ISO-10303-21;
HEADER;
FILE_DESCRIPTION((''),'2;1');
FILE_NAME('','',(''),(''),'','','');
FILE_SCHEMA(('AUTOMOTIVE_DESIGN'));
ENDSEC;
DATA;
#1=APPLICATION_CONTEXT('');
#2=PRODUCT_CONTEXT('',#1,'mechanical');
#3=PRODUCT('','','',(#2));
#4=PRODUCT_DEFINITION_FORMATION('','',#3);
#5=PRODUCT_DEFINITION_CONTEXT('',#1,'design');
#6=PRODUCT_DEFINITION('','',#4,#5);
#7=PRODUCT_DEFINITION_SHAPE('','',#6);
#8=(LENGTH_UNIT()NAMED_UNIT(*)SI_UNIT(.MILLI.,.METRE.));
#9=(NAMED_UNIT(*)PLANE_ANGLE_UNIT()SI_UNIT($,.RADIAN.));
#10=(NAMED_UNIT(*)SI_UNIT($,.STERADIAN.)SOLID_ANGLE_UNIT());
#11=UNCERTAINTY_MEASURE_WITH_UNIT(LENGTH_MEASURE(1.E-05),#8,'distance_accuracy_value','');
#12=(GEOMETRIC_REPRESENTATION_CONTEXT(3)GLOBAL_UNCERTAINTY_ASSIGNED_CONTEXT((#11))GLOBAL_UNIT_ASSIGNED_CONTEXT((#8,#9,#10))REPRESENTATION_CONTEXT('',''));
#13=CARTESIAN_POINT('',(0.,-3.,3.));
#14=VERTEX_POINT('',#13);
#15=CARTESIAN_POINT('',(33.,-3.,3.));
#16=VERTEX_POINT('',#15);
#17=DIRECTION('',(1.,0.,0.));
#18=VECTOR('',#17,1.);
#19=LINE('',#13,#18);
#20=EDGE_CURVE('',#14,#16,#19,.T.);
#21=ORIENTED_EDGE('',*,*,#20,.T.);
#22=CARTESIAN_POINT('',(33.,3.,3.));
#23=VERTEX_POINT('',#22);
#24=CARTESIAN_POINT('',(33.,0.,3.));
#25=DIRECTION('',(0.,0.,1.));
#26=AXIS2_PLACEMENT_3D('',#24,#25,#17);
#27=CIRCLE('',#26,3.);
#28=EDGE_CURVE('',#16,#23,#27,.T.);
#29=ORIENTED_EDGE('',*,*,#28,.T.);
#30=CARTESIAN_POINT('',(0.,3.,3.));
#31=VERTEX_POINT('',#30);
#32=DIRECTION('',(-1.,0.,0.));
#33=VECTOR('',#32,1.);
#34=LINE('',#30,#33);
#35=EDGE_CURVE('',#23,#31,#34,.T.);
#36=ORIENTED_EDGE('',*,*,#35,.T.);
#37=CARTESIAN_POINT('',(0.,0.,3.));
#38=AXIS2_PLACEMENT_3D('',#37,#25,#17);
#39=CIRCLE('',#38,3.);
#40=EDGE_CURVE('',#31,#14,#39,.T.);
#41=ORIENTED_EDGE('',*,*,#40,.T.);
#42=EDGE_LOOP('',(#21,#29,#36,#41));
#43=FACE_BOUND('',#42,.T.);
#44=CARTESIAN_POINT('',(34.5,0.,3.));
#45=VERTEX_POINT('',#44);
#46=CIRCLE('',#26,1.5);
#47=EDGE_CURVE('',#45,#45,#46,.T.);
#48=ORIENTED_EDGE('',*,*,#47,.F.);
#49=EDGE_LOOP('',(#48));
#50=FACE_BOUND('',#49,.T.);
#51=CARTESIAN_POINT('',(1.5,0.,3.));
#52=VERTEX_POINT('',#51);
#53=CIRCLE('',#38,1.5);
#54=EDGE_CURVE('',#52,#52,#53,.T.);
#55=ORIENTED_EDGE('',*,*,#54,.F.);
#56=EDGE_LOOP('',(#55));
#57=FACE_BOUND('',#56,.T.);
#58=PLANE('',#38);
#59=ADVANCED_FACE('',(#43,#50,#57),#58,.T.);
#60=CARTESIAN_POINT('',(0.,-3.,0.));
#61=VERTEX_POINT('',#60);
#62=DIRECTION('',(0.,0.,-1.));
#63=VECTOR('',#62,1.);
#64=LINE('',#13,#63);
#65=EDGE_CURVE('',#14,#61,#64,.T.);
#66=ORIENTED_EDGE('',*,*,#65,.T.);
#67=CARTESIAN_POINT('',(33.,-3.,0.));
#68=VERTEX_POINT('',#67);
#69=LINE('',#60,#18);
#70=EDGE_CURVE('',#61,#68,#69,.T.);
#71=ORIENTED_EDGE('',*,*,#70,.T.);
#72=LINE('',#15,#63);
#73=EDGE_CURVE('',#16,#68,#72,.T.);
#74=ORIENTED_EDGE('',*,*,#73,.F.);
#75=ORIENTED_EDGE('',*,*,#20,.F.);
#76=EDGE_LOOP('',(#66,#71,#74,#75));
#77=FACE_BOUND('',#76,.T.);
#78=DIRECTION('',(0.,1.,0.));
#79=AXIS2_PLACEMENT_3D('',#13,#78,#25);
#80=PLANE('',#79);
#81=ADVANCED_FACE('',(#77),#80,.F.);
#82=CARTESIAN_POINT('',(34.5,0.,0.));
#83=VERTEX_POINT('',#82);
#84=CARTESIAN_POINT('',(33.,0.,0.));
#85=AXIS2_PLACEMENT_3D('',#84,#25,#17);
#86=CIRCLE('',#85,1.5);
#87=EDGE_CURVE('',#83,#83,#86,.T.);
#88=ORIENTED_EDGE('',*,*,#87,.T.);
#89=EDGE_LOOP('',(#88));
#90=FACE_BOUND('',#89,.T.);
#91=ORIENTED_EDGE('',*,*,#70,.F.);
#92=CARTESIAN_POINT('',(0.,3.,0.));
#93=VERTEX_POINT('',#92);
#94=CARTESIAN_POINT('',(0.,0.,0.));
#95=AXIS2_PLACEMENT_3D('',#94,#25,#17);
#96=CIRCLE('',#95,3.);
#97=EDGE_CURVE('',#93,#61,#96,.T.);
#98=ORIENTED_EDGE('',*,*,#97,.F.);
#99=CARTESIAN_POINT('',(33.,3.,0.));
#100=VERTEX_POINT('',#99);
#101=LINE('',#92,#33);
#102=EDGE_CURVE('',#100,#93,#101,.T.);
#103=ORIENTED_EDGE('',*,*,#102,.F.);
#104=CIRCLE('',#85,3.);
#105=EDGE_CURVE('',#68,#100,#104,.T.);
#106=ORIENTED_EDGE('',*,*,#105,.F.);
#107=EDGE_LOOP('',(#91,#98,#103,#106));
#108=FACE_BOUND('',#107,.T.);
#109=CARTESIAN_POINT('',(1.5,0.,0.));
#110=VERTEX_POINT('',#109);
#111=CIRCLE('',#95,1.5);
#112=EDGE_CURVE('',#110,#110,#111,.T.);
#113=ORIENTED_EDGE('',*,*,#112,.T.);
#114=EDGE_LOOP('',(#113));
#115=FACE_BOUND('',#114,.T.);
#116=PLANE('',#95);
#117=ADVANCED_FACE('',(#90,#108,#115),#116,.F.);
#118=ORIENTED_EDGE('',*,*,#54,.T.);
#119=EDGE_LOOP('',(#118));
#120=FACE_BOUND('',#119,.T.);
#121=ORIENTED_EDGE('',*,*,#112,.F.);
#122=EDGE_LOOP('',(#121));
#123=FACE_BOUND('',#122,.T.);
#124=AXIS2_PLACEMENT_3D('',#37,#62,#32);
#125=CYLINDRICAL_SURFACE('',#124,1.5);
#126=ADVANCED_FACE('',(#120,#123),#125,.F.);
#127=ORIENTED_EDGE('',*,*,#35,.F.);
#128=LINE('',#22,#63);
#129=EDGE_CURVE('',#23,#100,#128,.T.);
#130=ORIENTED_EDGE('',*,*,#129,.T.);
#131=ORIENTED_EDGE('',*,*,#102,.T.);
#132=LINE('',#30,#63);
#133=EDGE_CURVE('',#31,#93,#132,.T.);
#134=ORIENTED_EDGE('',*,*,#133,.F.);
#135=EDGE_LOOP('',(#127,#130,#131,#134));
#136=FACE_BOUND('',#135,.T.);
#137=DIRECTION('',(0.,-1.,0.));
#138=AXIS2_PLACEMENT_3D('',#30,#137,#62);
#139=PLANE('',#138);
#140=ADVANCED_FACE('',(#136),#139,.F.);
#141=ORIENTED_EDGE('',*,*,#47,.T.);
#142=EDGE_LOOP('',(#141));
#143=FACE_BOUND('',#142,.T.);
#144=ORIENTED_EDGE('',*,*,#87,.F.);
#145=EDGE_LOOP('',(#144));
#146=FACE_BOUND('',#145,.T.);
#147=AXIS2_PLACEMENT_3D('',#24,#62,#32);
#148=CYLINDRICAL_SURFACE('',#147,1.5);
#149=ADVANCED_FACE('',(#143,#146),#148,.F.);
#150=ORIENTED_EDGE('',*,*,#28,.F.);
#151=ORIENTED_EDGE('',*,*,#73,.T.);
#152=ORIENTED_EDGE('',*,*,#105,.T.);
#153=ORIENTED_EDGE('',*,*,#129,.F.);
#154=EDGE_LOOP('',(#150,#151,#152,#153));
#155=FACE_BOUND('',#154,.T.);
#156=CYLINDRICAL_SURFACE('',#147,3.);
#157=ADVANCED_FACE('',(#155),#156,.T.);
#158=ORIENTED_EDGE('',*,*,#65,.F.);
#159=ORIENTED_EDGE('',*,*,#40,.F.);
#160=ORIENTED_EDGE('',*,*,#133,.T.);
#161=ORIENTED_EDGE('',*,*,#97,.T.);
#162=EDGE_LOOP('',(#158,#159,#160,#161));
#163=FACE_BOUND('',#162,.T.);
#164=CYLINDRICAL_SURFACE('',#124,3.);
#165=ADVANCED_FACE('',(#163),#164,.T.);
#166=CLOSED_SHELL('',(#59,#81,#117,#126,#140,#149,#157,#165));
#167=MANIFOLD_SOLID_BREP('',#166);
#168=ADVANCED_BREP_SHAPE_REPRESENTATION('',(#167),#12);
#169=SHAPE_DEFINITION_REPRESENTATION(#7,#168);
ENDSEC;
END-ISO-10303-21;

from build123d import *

# Parameters (mm, degrees)
SKETCH_1_R      = 1.5
EXTRUDE_1_DEPTH = 3


with BuildPart() as part:
    # 草图1 → 凸台-拉伸1 (new body)
    with BuildSketch(Plane.XY):
        with BuildLine():
            Line((0, 3), (33, 3))
            ThreePointArc((33, 3), (36, 0), (33, -3))
            Line((33, -3), (0, -3))
            ThreePointArc((0, -3), (-3, 0), (0, 3))
        make_face()
        Circle(SKETCH_1_R, mode=Mode.SUBTRACT)
        with Locations((33, 0)):
            Circle(SKETCH_1_R, mode=Mode.SUBTRACT)
    extrude(amount=EXTRUDE_1_DEPTH)


solid = part.part
